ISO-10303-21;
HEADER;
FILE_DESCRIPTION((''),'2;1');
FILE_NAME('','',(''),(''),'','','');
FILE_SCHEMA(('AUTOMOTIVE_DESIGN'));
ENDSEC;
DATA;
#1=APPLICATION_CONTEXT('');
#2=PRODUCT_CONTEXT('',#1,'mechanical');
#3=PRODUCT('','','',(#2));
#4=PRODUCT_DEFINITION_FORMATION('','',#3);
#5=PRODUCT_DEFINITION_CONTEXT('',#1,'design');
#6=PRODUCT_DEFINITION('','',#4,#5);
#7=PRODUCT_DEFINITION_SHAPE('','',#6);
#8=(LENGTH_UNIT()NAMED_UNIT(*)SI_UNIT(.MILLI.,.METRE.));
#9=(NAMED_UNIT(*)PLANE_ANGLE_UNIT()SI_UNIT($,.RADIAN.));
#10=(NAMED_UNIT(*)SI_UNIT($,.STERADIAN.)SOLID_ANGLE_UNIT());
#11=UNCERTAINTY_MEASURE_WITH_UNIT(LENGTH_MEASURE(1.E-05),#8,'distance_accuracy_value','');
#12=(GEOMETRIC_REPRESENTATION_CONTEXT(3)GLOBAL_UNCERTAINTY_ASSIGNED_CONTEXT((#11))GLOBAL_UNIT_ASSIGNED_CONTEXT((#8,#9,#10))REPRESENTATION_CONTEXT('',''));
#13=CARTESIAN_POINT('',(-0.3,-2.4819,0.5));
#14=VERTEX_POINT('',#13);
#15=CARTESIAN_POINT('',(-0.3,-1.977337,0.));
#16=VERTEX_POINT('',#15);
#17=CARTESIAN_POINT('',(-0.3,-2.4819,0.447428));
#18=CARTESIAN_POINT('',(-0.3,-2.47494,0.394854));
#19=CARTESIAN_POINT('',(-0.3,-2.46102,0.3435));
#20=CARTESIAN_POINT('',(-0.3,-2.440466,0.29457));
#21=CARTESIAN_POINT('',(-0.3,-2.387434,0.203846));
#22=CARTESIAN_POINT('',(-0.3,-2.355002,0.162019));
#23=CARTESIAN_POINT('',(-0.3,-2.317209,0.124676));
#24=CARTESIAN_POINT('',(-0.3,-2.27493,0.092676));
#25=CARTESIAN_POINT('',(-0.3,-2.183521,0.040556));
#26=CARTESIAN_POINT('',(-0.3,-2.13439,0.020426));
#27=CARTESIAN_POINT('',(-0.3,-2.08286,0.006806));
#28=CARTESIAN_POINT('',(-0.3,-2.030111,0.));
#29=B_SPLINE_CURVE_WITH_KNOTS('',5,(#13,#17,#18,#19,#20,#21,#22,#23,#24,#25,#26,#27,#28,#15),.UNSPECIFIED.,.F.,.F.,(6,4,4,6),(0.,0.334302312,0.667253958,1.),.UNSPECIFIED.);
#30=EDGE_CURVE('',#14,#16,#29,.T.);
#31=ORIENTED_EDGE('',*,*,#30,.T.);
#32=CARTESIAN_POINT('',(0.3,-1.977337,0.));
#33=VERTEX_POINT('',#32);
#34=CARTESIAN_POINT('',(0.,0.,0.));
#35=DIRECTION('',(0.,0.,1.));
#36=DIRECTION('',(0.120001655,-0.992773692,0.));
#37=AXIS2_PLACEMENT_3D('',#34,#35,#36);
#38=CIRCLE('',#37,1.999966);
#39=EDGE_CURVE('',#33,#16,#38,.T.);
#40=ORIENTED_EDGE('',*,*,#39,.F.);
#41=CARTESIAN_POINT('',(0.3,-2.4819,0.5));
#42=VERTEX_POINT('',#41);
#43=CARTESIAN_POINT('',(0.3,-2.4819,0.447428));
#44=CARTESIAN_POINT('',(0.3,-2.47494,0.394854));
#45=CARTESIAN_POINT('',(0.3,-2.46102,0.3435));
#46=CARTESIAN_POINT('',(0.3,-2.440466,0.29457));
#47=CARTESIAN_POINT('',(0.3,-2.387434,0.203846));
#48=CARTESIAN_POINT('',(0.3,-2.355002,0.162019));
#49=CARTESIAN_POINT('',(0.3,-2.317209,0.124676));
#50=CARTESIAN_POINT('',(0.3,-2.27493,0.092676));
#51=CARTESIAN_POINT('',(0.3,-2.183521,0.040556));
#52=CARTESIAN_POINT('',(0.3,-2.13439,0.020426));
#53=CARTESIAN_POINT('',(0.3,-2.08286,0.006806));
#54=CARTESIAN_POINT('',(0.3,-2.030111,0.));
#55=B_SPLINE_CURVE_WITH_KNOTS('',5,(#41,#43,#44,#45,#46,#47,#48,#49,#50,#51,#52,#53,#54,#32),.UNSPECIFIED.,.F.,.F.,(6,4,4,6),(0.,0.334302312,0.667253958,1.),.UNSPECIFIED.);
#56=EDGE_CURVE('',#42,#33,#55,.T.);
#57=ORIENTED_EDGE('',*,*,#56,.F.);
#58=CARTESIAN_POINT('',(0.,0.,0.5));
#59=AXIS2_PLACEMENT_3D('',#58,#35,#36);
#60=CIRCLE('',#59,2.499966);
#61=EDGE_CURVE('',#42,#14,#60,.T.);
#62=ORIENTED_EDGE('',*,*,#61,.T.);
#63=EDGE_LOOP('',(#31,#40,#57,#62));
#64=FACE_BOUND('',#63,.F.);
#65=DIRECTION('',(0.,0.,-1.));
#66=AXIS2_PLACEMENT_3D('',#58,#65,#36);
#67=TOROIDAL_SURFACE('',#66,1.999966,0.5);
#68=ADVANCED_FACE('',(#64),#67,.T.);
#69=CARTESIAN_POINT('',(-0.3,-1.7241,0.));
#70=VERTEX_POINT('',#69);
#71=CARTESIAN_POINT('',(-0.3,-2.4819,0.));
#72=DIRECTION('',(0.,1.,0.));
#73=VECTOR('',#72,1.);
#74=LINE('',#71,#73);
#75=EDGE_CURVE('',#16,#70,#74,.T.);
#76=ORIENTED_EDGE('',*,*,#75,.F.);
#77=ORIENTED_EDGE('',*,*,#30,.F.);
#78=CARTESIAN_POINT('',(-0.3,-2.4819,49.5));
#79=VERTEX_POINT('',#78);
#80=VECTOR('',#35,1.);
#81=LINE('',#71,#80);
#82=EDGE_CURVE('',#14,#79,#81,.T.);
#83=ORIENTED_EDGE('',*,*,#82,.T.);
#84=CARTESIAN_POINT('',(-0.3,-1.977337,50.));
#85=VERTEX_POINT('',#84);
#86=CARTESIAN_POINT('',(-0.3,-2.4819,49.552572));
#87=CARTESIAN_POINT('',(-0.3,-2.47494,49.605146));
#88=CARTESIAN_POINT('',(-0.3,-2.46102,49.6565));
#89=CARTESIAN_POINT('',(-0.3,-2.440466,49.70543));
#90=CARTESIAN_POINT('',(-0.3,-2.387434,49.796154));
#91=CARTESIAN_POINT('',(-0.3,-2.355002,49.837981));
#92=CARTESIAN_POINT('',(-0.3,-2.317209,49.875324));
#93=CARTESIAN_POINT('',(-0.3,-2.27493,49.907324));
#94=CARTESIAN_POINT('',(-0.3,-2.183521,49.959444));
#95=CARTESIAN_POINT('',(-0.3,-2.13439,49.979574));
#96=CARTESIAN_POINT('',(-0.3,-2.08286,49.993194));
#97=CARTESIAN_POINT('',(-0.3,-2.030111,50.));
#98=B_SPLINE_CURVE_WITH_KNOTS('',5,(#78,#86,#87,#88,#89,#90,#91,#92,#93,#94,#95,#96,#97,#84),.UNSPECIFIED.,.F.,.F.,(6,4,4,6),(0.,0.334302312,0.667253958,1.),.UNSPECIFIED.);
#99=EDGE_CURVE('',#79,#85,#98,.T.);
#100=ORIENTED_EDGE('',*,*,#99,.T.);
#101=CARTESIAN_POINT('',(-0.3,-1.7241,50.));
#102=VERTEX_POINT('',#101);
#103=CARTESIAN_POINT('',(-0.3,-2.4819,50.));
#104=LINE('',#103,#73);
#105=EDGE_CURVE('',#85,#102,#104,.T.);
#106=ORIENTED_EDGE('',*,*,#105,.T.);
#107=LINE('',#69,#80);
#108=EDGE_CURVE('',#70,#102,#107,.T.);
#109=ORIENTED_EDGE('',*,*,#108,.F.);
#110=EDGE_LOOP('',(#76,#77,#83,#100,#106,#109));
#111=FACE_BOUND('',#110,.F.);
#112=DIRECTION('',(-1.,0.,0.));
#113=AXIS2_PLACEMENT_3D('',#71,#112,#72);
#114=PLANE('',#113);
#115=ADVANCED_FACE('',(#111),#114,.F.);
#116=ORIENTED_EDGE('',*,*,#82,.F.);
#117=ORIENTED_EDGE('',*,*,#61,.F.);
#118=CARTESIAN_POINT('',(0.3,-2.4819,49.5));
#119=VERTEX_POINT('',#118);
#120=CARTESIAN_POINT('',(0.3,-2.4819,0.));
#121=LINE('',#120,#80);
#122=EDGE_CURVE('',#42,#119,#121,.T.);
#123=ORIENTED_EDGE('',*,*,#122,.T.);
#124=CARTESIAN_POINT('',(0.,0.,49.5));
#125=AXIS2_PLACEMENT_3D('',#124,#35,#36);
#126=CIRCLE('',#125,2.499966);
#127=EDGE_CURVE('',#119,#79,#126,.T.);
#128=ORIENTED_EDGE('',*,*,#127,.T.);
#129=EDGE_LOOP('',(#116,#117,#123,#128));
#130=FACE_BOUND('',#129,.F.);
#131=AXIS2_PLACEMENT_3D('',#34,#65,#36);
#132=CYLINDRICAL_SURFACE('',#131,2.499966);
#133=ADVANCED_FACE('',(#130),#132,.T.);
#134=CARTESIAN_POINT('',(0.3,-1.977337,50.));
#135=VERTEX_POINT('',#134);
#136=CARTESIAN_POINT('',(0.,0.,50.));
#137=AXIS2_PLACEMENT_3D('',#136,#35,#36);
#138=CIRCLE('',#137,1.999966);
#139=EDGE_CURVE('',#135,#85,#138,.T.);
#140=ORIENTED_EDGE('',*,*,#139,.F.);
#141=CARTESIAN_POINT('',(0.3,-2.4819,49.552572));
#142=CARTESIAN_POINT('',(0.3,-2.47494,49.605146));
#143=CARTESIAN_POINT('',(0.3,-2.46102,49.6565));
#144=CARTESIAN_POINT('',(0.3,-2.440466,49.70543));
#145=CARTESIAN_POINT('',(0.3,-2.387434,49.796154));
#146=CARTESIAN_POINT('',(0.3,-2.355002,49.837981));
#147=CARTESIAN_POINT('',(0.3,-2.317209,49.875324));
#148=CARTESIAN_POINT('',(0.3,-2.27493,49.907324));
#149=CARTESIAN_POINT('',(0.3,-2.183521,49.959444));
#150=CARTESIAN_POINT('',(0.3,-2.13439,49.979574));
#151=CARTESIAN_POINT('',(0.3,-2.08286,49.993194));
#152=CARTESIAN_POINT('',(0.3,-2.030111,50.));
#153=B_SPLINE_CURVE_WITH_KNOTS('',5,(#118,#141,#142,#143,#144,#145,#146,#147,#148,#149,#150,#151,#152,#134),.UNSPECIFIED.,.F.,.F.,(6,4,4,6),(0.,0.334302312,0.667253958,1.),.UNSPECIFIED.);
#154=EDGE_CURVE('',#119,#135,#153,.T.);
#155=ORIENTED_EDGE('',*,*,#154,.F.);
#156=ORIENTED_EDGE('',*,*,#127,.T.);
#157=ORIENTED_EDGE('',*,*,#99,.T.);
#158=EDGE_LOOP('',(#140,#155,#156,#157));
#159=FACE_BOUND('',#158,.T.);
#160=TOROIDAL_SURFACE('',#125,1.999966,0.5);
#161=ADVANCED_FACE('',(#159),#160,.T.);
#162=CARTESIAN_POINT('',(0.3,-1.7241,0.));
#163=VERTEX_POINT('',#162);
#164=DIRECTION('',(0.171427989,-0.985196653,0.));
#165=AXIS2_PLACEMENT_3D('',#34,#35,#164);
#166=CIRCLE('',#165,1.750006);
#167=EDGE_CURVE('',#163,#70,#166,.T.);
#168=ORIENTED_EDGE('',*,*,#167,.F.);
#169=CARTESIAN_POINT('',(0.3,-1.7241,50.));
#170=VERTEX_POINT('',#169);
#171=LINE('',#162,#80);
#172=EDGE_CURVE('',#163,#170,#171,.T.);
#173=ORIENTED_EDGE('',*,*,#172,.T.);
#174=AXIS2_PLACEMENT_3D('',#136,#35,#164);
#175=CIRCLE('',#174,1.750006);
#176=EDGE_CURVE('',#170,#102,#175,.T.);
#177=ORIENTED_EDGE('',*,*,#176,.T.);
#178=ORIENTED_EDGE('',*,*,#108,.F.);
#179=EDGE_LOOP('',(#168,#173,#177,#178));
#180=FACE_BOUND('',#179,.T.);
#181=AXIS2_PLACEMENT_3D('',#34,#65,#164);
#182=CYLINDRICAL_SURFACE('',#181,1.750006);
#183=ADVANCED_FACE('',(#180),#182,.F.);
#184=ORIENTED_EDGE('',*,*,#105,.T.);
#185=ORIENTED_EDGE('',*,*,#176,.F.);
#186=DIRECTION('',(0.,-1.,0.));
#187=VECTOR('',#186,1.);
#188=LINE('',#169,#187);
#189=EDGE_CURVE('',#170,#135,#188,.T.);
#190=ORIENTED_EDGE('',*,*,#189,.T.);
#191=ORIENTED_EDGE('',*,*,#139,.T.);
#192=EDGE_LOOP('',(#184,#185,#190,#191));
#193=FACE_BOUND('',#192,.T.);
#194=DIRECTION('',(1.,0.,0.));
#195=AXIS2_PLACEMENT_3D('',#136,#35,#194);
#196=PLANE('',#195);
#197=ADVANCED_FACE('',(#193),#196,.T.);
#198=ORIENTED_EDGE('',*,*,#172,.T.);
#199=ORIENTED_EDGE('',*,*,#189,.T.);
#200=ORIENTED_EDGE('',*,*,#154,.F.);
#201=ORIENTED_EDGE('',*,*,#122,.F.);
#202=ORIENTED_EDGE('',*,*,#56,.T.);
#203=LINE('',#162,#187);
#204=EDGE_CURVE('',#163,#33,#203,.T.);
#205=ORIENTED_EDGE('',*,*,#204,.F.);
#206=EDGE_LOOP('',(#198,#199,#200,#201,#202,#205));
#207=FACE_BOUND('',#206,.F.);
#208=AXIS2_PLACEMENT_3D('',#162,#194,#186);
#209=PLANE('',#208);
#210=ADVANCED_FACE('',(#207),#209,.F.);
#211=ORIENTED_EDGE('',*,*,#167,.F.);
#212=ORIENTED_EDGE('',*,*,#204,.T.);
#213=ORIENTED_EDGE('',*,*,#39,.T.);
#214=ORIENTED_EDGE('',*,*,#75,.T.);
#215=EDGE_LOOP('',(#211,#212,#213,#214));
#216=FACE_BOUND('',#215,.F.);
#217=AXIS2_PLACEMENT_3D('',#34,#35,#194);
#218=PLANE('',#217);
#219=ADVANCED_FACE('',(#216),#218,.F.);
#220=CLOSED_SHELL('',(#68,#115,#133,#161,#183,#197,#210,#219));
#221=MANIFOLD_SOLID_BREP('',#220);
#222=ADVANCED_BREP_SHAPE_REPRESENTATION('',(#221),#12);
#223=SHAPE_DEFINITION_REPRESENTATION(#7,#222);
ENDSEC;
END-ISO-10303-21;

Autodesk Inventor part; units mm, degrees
ref_plane "YZ Plane" through (0, 0, 0) normal (1, 0, 0) x (0, 1, 0)
ref_plane "XZ Plane" through (0, 0, 0) normal (0, 1, 0) x (-1, 0, 0)
ref_plane "XY Plane" through (0, 0, 0) normal (0, 0, 1) x (1, 0, 0)
sketch "草圖1" plane through (0, 0, 0) normal (0, 0, 1) x (1, 0, 0)
  arc A0 (0.3, -2.4819) -> (-0.3, -2.4819) centre (0, 0) ccw
  arc A1 (0.3, -1.7241) -> (-0.3, -1.7241) centre (0, 0) ccw
  line L0 (0.3, -1.7241) -> (0.3, -2.4819)
  line L1 (-0.3, -2.4819) -> (-0.3, -1.7241)
  dimension "d0" = 5
  dimension "d1" = 3.5
  dimension "d2" = 0.3
  dimension "d3" = 0.6
extrude "擠出1" add sketch "草圖1" along normal blind 50
fillet "圓角1" radius 0.5 2 edges at (0, 2.5, 50) (0, 2.5, 0)
properties part number "5x65彈簧銷"
